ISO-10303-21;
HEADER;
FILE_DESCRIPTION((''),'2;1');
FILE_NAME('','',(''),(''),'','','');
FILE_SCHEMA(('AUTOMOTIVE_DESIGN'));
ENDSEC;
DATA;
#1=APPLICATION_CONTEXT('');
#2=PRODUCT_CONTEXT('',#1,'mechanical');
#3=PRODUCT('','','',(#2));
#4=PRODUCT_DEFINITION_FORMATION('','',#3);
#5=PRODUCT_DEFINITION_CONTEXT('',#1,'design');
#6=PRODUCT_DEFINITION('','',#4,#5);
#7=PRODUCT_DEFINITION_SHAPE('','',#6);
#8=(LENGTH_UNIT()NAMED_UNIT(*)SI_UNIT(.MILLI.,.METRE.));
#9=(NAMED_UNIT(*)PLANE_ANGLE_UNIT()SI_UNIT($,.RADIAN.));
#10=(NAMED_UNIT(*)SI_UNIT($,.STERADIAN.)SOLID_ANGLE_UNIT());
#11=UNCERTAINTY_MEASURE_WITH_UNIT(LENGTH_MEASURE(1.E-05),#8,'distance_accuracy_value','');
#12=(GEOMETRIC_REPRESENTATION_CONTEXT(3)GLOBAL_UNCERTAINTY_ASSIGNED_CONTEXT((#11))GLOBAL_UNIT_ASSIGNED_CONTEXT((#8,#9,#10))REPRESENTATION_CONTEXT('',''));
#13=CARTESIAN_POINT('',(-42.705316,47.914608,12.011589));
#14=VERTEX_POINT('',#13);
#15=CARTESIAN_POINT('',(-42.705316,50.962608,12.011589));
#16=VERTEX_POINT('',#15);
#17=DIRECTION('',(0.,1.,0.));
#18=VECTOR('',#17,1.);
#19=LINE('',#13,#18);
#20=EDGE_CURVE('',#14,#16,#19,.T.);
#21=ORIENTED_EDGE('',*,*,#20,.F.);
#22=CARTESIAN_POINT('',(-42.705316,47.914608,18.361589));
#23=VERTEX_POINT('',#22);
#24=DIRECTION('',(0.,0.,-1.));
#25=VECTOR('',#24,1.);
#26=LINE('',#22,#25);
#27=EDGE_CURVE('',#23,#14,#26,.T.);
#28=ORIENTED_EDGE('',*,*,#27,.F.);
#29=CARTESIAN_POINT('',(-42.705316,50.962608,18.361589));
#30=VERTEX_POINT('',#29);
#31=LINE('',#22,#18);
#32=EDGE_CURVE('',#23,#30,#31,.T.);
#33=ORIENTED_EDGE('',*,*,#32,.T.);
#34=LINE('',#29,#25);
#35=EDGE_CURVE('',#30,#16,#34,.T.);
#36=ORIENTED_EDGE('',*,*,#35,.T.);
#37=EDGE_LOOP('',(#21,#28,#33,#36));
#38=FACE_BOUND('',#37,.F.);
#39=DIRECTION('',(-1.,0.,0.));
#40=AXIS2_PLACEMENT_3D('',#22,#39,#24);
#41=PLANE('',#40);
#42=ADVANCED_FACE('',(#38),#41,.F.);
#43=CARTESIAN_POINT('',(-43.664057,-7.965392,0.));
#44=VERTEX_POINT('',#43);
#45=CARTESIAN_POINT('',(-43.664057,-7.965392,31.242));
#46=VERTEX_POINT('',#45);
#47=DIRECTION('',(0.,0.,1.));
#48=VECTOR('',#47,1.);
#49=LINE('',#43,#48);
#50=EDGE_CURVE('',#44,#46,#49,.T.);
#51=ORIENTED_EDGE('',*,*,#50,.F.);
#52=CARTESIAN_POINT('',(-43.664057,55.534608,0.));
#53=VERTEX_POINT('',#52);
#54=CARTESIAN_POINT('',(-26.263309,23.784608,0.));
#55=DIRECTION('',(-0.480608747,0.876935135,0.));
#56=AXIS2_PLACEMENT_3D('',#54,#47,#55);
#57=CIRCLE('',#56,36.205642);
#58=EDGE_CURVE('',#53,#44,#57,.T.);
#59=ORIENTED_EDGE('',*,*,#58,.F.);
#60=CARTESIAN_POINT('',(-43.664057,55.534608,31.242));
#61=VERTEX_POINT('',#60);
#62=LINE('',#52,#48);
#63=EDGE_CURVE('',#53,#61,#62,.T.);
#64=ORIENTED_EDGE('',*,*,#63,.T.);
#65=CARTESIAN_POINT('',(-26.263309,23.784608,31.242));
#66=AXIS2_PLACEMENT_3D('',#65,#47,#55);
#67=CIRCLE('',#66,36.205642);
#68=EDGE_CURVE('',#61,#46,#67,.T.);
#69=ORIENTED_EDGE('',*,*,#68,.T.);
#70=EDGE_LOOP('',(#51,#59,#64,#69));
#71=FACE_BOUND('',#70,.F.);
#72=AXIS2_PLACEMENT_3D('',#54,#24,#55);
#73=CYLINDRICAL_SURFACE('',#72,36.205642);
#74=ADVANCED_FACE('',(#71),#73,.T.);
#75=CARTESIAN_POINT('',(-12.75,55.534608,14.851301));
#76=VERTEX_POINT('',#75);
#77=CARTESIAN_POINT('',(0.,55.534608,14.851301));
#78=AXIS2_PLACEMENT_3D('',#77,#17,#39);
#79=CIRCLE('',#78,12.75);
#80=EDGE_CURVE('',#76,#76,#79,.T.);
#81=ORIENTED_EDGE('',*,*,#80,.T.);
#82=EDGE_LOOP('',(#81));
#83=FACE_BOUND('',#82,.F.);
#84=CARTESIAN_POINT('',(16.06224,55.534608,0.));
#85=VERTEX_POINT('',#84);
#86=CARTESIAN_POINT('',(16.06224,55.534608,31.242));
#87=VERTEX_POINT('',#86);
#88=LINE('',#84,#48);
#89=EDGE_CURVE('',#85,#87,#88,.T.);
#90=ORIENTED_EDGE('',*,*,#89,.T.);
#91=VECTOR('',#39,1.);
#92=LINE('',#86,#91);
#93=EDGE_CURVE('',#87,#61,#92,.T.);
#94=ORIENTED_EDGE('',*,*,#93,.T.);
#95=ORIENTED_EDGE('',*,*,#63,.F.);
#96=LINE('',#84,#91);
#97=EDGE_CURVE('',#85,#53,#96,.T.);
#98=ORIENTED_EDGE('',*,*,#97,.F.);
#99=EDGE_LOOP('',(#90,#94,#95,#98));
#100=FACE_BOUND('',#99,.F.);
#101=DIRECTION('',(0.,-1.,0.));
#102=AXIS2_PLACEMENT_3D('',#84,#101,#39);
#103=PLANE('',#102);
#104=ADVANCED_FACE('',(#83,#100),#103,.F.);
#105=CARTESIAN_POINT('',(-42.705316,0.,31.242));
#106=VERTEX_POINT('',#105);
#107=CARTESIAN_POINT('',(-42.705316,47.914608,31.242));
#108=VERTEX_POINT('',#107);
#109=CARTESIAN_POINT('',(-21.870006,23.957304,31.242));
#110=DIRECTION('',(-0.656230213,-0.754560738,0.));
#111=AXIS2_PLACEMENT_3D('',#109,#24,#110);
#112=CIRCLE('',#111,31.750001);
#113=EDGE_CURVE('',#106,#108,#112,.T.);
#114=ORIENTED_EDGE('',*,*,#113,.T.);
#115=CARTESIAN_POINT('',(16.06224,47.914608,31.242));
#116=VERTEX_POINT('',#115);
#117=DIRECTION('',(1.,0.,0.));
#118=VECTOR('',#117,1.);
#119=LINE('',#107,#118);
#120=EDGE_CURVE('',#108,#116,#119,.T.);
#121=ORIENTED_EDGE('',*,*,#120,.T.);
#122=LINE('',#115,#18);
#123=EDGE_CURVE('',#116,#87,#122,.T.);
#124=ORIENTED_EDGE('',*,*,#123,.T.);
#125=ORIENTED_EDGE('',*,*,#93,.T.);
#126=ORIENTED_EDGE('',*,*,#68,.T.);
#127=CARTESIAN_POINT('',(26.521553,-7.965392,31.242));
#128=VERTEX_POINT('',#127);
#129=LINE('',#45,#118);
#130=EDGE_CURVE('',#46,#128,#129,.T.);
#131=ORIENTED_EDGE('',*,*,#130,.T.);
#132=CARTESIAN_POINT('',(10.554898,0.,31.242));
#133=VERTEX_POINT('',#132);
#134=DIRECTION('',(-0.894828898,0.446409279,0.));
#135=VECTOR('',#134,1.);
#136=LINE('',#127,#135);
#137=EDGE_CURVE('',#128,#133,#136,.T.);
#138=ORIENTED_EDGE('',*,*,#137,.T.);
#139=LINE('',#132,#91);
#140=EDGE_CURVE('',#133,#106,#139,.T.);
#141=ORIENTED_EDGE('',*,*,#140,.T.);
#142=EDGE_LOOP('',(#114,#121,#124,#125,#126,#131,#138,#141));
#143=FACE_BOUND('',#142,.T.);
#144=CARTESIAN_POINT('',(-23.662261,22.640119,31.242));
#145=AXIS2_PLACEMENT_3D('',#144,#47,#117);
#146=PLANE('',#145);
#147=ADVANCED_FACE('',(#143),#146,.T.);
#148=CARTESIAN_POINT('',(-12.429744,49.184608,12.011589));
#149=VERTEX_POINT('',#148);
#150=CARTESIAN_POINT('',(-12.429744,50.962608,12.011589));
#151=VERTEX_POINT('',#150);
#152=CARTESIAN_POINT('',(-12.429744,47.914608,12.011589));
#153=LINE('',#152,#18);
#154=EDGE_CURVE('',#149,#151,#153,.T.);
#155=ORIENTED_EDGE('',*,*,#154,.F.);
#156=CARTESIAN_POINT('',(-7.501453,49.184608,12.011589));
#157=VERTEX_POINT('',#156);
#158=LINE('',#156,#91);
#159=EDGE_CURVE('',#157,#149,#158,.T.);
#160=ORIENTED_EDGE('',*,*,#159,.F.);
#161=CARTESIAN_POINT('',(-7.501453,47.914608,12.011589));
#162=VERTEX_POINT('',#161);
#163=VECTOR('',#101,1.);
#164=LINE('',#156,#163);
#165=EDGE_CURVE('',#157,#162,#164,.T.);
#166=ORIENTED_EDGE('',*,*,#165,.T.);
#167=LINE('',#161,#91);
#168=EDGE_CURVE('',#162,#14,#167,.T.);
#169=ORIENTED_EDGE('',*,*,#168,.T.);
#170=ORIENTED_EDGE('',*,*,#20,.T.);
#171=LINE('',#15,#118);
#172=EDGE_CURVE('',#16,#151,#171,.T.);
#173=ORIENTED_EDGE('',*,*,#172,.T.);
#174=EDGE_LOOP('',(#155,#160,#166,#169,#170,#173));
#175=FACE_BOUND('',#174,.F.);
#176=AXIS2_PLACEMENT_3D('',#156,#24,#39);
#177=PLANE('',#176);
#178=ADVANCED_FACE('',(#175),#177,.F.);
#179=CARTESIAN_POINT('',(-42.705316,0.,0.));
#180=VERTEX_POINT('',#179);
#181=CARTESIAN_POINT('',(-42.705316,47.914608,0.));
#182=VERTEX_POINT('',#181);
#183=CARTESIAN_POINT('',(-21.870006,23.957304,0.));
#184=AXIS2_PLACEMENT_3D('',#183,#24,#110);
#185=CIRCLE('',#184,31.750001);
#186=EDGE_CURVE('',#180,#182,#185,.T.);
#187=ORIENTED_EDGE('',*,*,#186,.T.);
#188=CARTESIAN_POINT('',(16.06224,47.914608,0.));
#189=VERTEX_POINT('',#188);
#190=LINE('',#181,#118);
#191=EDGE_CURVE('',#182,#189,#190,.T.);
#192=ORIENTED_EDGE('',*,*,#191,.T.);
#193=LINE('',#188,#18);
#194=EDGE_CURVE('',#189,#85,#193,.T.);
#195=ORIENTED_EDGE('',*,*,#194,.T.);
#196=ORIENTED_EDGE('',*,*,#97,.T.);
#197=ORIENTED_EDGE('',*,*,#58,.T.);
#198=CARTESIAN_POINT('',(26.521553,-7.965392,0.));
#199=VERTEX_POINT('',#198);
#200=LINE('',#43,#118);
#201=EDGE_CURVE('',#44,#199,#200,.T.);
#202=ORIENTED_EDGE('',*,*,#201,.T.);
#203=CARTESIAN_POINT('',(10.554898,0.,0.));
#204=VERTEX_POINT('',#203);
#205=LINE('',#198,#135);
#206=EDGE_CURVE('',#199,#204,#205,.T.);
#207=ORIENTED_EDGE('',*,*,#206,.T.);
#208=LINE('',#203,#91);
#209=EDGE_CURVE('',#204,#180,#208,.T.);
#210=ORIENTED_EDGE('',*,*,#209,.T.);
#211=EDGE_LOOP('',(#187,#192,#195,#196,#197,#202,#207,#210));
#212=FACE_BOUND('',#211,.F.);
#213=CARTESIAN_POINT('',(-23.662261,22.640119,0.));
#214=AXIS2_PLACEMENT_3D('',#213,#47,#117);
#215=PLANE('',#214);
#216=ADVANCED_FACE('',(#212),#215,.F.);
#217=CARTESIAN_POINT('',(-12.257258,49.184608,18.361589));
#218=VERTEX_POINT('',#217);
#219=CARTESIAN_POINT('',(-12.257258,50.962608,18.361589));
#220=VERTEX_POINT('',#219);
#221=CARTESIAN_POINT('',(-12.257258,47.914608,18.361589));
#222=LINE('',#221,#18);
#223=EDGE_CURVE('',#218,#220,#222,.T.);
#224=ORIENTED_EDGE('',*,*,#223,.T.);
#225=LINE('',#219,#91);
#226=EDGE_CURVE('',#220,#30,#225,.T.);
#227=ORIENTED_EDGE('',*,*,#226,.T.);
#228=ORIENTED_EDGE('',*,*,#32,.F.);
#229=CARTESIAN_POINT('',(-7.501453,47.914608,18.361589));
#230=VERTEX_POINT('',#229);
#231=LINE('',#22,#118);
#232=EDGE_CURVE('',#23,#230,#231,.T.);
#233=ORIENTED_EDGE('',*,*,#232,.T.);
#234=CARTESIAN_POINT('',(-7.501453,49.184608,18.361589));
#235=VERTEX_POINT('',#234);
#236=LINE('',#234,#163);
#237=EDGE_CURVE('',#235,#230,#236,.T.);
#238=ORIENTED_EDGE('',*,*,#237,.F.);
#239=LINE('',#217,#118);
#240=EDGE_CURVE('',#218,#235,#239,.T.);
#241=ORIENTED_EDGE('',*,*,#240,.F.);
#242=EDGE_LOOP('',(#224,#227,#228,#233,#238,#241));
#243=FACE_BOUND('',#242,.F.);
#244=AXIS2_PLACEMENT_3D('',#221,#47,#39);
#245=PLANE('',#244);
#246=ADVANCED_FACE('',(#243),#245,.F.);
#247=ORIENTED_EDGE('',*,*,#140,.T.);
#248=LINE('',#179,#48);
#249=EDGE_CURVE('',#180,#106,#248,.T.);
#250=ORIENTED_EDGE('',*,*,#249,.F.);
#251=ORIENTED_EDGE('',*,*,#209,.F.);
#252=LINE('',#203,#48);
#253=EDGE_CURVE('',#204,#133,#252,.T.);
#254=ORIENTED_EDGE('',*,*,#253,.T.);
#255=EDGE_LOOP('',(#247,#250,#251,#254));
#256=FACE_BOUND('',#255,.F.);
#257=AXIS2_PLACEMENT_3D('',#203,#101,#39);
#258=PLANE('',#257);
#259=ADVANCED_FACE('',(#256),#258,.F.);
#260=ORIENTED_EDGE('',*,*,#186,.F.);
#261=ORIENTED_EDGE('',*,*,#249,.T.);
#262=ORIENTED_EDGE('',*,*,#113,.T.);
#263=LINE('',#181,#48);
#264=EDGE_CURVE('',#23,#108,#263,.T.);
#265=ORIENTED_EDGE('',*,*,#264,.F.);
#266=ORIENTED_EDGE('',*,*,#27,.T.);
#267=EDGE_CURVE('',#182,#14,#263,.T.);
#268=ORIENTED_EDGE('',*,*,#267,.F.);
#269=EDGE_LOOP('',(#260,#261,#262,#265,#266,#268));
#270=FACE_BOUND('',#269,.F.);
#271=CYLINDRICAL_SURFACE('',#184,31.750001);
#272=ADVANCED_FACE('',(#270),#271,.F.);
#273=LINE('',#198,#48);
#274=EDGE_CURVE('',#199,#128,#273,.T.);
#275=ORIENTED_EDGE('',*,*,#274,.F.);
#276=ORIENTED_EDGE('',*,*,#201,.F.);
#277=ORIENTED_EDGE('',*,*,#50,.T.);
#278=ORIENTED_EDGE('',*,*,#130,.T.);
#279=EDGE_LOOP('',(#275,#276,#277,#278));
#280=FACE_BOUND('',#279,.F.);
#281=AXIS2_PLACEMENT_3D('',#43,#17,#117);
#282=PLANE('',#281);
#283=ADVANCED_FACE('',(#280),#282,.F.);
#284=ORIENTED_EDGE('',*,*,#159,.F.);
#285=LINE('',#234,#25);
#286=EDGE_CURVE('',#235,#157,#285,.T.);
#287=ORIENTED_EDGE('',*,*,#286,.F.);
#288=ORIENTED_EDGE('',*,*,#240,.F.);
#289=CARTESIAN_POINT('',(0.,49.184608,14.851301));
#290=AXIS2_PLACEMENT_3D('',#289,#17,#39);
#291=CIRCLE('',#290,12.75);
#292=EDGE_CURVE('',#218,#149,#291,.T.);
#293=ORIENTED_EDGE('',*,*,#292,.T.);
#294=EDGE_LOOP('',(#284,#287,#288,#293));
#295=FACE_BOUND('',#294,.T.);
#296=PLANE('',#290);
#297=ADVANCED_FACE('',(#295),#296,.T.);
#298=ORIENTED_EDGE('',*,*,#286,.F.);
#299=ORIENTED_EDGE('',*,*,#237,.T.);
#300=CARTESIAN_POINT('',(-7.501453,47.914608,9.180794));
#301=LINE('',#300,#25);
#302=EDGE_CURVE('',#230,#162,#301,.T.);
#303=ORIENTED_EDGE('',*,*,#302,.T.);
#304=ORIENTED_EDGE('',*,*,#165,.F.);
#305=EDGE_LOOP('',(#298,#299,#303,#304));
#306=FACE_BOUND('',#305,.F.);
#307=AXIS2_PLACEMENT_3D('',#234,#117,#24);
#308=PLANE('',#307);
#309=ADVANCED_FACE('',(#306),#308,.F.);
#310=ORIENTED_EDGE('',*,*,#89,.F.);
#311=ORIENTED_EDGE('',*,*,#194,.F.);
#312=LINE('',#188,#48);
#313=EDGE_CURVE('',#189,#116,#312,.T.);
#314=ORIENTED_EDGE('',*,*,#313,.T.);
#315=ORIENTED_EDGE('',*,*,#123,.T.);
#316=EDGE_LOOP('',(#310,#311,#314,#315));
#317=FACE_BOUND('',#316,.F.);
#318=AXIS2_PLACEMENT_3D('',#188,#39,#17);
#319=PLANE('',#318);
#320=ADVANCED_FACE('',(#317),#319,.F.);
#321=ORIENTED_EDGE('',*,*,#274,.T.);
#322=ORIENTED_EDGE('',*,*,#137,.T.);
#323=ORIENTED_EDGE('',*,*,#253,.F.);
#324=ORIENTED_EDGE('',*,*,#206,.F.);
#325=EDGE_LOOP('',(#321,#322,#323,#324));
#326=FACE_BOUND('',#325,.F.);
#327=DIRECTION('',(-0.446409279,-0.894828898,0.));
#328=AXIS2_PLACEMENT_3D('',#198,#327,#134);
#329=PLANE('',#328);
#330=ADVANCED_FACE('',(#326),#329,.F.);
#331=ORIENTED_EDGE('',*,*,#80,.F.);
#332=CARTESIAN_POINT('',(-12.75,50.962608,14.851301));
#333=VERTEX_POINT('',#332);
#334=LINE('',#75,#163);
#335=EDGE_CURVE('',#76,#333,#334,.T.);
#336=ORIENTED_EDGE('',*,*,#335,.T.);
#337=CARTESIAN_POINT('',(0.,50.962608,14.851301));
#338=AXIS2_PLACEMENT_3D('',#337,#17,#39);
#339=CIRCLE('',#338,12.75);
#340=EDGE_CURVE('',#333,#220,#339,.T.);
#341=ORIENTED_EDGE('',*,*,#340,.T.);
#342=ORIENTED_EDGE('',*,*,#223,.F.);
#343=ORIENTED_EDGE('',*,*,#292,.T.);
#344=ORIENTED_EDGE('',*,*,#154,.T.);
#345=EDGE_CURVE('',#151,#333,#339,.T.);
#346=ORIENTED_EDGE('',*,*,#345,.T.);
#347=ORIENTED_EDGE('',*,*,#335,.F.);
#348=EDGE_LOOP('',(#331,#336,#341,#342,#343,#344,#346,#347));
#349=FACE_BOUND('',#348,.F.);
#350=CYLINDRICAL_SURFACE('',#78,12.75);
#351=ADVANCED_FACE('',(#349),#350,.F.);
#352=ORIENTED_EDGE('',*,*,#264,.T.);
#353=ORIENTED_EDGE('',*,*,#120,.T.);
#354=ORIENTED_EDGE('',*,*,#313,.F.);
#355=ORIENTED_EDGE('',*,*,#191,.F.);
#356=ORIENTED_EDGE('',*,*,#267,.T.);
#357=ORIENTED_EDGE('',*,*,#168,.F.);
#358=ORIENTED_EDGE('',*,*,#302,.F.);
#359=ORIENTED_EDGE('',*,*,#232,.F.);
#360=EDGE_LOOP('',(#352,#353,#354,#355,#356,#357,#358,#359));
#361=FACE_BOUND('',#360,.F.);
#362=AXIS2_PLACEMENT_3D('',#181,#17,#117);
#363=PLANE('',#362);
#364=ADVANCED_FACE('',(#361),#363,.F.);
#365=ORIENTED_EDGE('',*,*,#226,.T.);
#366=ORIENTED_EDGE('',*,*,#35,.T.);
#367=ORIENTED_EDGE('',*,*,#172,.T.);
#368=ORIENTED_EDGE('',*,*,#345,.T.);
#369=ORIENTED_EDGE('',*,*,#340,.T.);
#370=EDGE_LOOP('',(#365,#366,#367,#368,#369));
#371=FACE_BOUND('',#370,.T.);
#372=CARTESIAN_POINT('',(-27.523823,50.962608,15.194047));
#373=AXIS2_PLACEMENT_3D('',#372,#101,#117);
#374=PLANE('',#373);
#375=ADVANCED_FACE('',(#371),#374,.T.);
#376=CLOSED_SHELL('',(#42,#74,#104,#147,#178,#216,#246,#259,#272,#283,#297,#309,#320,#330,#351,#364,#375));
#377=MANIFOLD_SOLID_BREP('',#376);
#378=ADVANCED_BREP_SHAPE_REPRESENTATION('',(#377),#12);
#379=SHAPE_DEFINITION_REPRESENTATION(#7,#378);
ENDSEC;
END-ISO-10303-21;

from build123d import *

# Parameters (mm, degrees)
F1_DEPTH = 31.242
F2_R     = 12.75
F3_DEPTH = 6.35
F5_DEPTH = 25.4
F7_DEPTH = 3.048


with BuildPart() as f1:
    # F0 (on Top) → F1 (new body)
    with BuildSketch(Plane.XY):
        with BuildLine():
            Line((-43.664057, -7.965392), (16.06224, -7.965392))
            Line((16.06224, -7.965392), (26.521553, -7.965392))
            Line((26.521553, -7.965392), (10.554898, 0))
            Line((10.554898, 0), (-42.705316, 0))
            ThreePointArc((-42.705316, 0), (-53.620007, 23.957304), (-42.705316, 47.914608))
            Line((-42.705316, 47.914608), (16.06224, 47.914608))
            Line((16.06224, 47.914608), (16.06224, 55.534608))
            Line((16.06224, 55.534608), (-43.664057, 55.534608))
            ThreePointArc((-43.664057, 55.534608), (-62.468951, 23.784608), (-43.664057, -7.965392))
        make_face()
    extrude(amount=F1_DEPTH)

    # F2 (on face) → F3 (cut)
    with BuildSketch(Plane(origin=(0, 55.534608, 0), x_dir=(-1, 0, 0), z_dir=(0, 1, 0))):
        with Locations((0, 14.851301)):
            Circle(F2_R)
    extrude(amount=-F3_DEPTH, mode=Mode.SUBTRACT)

    # F4 (on face) → F5 (cut)
    with BuildSketch(Plane(origin=(0, 49.184608, 0), x_dir=(-1, 0, 0), z_dir=(0, 1, 0))):
        with BuildLine():
            ThreePointArc((12.75, 14.851301), (12.626213, 16.623652), (12.257258, 18.361589))
            Line((12.257258, 18.361589), (7.501453, 18.361589))
            Line((7.501453, 18.361589), (7.501453, 12.011589))
            Line((7.501453, 12.011589), (12.429744, 12.011589))
            ThreePointArc((12.429744, 12.011589), (12.669683, 13.422444), (12.75, 14.851301))
        make_face()
    extrude(amount=-F5_DEPTH, mode=Mode.SUBTRACT)

    # F6 (on face) → F7 (cut)
    with BuildSketch(Plane.XZ.offset(-47.914608)):
        Polygon((-12.429744, 12.011589), (-12.257258, 18.361589), (-42.705316, 18.361589), (-42.705316, 12.011589), align=None)
    extrude(amount=-F7_DEPTH, mode=Mode.SUBTRACT)


solid = f1.part
